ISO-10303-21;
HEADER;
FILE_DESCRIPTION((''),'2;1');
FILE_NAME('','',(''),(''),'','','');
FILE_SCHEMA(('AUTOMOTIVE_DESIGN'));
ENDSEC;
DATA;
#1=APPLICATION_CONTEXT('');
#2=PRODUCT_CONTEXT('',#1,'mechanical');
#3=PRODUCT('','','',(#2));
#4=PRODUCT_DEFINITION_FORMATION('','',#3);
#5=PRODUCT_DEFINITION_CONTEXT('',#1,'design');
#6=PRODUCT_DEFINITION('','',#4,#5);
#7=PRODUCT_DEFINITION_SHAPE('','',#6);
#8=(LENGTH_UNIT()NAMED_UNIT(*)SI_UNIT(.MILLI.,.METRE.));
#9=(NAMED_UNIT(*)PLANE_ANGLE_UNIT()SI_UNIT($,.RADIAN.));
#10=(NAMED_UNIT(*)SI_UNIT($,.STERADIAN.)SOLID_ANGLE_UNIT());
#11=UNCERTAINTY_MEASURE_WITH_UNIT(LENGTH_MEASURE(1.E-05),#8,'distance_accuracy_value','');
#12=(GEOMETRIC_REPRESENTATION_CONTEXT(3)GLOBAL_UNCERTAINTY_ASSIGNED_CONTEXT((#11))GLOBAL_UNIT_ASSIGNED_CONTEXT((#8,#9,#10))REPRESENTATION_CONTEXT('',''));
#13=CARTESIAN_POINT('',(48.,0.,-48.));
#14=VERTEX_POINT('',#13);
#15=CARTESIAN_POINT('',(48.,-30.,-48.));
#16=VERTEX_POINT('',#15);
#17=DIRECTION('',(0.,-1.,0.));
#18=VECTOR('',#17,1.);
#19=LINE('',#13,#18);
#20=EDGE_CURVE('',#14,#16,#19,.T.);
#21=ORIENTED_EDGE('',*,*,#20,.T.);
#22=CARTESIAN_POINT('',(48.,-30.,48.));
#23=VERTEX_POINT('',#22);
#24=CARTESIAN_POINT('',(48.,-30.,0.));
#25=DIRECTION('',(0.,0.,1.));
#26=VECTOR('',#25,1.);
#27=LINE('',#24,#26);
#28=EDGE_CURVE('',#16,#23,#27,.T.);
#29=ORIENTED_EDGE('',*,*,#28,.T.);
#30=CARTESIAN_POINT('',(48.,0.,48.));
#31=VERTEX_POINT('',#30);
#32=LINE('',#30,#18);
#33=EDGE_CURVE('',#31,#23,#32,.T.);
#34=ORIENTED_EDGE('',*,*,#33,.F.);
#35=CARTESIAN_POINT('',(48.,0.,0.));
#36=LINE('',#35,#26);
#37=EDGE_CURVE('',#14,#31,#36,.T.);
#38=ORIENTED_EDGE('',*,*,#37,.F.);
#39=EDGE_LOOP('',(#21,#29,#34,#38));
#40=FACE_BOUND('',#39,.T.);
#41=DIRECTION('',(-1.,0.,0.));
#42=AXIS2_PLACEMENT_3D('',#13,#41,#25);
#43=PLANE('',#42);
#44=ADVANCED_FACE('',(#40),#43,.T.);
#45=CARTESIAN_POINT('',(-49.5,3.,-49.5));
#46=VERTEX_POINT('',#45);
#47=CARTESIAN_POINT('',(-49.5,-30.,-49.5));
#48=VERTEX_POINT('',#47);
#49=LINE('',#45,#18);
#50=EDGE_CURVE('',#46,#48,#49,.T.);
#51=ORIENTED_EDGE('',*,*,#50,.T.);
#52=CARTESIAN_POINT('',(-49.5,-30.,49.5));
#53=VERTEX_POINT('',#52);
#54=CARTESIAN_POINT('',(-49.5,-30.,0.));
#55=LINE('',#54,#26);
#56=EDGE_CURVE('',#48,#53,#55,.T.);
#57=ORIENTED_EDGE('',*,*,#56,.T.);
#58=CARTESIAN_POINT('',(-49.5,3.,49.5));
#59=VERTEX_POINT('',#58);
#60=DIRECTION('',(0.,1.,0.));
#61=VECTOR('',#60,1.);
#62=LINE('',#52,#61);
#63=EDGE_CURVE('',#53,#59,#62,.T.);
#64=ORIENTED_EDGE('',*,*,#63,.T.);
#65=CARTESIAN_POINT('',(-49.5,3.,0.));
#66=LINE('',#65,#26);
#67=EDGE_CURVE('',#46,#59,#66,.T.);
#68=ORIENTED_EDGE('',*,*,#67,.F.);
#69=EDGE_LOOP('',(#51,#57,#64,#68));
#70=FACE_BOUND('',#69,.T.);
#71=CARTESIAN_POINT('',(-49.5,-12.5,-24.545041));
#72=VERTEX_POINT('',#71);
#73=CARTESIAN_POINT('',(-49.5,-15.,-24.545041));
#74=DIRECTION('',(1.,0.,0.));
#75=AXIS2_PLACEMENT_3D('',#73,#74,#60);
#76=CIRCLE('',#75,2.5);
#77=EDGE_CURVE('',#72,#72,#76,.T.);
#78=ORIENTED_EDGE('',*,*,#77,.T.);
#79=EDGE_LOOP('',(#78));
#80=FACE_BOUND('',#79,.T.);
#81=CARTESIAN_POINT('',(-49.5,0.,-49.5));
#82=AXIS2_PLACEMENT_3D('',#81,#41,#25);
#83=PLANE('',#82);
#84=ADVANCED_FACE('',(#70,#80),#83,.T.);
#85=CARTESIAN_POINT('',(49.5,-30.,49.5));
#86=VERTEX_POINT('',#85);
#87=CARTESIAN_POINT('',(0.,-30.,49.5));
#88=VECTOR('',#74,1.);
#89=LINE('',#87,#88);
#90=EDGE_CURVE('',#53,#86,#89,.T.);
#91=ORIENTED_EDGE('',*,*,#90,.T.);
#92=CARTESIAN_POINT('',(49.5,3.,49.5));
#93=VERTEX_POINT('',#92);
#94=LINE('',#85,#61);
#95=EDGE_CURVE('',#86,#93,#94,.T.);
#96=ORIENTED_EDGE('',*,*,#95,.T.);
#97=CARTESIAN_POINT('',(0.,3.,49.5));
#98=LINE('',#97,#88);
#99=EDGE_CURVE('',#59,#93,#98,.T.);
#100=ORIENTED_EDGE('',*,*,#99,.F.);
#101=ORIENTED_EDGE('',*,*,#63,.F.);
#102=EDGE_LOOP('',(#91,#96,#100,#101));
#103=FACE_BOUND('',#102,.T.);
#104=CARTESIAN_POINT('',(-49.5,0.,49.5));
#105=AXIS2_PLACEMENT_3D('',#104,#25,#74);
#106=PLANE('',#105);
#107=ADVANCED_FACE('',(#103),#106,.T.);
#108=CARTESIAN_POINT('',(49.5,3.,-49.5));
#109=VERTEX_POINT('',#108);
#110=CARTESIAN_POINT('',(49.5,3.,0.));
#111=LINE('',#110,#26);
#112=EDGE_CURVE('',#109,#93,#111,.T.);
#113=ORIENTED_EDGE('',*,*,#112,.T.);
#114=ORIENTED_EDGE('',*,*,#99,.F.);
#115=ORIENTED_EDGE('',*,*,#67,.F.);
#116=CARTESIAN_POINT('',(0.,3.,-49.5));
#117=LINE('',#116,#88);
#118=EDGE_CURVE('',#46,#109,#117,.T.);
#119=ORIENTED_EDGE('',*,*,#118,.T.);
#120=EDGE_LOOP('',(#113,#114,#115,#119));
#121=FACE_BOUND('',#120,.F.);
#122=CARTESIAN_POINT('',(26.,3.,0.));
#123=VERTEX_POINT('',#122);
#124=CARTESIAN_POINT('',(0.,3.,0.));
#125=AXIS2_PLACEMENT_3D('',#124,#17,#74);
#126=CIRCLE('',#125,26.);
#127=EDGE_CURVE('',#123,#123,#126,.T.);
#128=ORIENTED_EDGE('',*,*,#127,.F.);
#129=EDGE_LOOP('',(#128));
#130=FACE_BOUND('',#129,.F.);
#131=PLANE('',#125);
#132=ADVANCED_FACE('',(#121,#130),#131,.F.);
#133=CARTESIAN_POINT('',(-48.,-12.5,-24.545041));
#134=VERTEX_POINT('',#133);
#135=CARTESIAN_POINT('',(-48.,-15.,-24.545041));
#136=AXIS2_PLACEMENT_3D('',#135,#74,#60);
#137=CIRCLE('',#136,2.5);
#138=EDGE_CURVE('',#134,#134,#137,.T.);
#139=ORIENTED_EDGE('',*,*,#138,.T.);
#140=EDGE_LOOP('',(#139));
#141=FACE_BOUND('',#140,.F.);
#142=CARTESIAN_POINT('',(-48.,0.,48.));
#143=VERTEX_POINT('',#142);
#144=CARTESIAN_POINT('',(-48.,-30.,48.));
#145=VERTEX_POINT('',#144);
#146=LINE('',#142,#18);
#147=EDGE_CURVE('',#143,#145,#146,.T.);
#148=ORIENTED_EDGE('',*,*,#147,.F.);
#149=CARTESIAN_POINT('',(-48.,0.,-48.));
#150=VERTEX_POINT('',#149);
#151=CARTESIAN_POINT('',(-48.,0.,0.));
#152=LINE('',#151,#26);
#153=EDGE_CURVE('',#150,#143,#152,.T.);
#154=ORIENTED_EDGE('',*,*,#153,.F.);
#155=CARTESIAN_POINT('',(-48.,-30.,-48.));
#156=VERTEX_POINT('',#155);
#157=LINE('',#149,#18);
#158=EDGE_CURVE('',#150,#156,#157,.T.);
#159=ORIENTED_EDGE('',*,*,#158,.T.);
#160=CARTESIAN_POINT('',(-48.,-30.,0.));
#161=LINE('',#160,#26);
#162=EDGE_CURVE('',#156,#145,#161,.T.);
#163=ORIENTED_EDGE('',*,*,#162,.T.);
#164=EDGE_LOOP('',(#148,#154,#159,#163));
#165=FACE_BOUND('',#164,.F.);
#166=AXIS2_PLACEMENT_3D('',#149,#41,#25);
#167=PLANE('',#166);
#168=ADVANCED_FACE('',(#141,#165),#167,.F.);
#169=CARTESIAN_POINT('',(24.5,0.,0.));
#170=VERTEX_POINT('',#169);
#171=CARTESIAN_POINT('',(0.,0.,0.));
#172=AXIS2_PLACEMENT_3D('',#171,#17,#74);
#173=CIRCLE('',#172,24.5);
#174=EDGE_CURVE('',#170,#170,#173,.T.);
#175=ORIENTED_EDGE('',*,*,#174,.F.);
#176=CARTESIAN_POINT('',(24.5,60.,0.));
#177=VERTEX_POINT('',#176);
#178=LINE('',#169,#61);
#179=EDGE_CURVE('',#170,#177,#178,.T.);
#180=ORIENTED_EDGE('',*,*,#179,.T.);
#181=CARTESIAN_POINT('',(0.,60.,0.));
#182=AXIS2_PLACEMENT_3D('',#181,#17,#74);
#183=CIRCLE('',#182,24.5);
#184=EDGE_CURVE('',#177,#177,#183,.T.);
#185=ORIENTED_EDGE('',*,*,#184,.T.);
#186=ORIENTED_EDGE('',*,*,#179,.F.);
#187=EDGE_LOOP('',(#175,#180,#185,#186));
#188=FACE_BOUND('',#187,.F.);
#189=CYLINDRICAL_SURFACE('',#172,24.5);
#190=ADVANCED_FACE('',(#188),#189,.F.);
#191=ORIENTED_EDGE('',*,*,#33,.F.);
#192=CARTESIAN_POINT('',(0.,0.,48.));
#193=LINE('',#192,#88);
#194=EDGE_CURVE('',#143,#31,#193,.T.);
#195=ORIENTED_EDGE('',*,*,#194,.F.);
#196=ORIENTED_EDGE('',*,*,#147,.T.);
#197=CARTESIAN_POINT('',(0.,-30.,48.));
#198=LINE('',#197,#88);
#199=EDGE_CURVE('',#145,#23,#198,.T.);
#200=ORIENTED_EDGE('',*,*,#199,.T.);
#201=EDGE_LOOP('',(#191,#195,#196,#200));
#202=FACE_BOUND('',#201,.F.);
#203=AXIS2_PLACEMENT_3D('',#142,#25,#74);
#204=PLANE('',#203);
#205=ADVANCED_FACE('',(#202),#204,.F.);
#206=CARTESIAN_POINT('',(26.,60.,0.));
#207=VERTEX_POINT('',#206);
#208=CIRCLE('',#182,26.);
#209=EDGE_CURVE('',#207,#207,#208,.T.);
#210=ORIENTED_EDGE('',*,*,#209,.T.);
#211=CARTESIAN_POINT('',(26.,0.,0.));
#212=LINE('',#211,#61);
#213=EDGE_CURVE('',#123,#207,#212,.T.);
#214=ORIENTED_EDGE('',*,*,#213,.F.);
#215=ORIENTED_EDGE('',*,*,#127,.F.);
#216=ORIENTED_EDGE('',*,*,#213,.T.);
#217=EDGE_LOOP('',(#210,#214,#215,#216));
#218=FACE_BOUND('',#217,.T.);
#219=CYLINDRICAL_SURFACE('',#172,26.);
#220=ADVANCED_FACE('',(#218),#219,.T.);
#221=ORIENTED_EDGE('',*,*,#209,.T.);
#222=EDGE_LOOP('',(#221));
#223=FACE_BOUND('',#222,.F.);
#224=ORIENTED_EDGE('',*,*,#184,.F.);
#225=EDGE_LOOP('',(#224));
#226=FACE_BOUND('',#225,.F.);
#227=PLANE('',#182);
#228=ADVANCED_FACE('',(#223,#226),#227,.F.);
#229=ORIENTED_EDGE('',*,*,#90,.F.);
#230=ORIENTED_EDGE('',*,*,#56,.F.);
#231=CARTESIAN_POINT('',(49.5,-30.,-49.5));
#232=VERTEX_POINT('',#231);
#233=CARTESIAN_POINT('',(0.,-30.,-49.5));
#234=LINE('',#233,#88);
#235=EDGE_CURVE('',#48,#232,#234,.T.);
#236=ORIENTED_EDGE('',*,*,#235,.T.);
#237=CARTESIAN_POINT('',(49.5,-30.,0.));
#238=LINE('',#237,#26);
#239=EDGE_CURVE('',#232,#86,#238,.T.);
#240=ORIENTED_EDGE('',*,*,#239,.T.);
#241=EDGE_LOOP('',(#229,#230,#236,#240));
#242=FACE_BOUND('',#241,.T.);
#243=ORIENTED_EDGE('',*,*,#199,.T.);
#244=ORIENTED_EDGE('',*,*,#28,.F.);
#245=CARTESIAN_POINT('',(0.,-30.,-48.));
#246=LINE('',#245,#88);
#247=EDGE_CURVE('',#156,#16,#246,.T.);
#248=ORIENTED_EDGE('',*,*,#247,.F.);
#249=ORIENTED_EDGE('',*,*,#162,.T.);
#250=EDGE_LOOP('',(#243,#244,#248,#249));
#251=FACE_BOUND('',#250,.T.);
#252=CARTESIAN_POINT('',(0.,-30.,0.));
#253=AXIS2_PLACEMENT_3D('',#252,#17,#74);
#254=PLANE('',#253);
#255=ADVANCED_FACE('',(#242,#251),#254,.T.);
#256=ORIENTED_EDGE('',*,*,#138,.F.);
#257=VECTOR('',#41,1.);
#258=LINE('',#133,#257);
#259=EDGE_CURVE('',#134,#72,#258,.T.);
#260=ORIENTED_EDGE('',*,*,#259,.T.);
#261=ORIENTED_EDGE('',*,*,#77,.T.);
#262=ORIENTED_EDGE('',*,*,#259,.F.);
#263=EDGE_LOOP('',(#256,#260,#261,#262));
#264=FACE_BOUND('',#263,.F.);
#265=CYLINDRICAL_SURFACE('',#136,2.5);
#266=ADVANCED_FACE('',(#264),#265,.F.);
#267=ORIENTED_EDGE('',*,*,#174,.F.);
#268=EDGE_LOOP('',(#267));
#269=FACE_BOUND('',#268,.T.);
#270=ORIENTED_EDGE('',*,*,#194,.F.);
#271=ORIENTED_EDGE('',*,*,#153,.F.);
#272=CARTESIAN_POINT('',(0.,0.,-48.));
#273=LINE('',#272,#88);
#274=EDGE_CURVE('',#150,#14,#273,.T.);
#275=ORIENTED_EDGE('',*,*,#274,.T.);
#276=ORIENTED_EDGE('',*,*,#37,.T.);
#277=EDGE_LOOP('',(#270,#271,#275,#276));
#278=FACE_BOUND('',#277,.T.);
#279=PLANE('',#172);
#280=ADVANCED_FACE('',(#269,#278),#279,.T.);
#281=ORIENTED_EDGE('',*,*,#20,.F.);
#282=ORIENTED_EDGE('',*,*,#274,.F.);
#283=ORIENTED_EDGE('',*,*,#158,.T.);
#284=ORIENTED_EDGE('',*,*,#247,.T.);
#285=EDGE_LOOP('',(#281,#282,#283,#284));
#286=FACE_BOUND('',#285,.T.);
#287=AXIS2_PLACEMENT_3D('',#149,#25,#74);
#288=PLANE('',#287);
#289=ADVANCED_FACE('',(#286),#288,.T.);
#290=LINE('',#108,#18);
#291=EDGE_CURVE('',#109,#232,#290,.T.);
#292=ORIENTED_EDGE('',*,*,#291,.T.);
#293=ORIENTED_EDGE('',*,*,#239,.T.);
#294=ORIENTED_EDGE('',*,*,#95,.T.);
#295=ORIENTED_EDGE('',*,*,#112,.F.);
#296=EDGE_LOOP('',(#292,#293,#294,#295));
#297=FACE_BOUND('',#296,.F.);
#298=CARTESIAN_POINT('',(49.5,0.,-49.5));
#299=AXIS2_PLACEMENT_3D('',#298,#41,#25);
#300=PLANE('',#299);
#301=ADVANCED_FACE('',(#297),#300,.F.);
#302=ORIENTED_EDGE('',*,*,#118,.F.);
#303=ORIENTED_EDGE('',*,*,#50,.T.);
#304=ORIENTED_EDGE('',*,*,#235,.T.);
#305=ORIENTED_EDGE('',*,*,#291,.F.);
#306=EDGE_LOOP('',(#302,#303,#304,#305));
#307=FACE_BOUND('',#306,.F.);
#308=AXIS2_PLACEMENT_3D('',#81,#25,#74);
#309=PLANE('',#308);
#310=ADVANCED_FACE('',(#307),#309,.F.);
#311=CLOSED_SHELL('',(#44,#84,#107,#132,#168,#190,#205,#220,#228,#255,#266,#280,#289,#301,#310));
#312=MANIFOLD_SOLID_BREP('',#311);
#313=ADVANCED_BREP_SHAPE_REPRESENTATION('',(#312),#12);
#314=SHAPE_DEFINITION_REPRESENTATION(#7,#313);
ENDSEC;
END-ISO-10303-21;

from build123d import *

# Parameters (mm, degrees)
F0_W     = 99
F0_H     = 99
F1_DEPTH = 3
F2_R     = 26
F2_R_2   = 23
F3_DEPTH = 4
F4_R     = 26
F4_R_2   = 24.5
F5_DEPTH = 60
F6_W     = 99
F6_H     = 99
F6_W_2   = 96
F6_H_2   = 96
F7_DEPTH = 30
F8_R     = 2.5
F9_DEPTH = 25


with BuildPart() as f1:
    # F0 (on Front) → F1 (new body)
    with BuildSketch(Plane.XZ):
        Rectangle(F0_W, F0_H)
    extrude(amount=-F1_DEPTH)

    # F2 (on Front) → F3 (cut)
    with BuildSketch(Plane.XZ):
        Circle(F2_R)
        Circle(F2_R_2, mode=Mode.SUBTRACT)
        Circle(F2_R_2)
    extrude(amount=-F3_DEPTH, mode=Mode.SUBTRACT)

    # F4 (on face) → F5 (join)
    with BuildSketch(Plane.XZ):
        Circle(F4_R)
        Circle(F4_R_2, mode=Mode.SUBTRACT)
    extrude(amount=-F5_DEPTH)

    # F6 (on Front) → F7 (join)
    with BuildSketch(Plane.XZ):
        Rectangle(F6_W, F6_H)
        Rectangle(F6_W_2, F6_H_2, mode=Mode.SUBTRACT)
    extrude(amount=F7_DEPTH)

    # F8 (on face) → F9 (cut)
    with BuildSketch(Plane.YZ.offset(-48)):
        with Locations((-15, -24.5450405731)):
            Circle(F8_R)
    extrude(amount=-F9_DEPTH, mode=Mode.SUBTRACT)


solid = f1.part
